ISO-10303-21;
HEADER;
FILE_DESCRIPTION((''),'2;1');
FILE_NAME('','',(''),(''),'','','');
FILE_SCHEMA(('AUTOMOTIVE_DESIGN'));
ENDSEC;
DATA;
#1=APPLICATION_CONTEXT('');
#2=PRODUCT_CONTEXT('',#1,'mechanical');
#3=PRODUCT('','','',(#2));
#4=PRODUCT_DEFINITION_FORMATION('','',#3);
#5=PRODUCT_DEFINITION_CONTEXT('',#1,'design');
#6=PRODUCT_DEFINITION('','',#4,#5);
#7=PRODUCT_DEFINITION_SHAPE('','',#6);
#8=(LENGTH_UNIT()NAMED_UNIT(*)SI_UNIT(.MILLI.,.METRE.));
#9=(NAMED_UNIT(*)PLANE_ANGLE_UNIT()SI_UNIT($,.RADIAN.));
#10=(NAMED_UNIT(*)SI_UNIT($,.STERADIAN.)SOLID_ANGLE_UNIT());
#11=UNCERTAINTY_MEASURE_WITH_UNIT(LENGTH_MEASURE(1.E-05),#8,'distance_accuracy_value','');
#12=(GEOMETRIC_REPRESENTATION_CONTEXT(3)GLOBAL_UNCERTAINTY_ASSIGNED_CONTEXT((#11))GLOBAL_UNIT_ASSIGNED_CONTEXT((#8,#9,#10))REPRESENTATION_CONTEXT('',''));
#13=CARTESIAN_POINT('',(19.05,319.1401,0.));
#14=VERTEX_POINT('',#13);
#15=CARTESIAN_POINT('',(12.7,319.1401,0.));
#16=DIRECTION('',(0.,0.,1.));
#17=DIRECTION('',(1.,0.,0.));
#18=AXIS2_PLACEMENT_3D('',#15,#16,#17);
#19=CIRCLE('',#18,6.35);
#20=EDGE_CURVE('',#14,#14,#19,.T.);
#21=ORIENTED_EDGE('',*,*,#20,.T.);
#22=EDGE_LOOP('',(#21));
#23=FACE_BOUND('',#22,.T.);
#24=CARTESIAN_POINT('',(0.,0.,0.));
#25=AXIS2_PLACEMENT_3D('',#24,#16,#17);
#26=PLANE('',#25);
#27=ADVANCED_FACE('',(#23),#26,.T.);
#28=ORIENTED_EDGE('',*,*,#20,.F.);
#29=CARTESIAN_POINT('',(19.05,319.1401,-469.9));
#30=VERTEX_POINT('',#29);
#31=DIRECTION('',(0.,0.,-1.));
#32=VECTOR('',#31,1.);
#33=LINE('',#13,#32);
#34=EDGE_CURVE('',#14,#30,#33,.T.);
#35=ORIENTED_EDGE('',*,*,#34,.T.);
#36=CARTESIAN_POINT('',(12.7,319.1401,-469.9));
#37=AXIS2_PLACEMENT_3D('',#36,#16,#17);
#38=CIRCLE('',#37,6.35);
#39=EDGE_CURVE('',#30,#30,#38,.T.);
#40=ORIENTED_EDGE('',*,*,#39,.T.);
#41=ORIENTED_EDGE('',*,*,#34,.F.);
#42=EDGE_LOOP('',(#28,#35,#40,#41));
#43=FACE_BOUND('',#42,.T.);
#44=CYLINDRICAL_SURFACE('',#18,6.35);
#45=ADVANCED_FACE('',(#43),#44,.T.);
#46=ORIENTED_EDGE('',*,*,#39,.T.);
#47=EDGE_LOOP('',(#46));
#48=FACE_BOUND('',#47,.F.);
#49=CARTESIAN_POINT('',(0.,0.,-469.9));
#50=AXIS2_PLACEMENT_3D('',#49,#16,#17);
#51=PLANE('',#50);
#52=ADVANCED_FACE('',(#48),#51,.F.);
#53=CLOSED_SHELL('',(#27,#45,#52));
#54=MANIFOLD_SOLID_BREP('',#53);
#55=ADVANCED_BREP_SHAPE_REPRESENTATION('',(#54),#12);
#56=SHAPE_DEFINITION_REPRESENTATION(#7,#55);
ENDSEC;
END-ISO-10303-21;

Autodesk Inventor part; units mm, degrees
ref_plane "YZ Plane" through (0, 0, 0) normal (1, 0, 0) x (0, 1, 0)
ref_plane "XZ Plane" through (0, 0, 0) normal (0, 1, 0) x (-1, 0, 0)
ref_plane "Work Plane1" through (0, 0, 0) normal (0, 0, 1) x (1, 0, 0)
sketch "Sketch1" plane through (0, 0, 0) normal (0, 0, 1) x (1, 0, 0)
  circle A0 centre (12.7, 319.1401) radius 6.35
  circle A1 centre (12.7, 319.1401) radius 6.35
  point P0 (0, 0)
ref_plane "Work Plane2" through (0, 0, -469.9) normal (0, 0, -1) x (0, 1, 0)
extrude "Extrusion1" add sketch "Sketch1" against normal up to surface (469.9 mm away)
properties part number "RampMount"
